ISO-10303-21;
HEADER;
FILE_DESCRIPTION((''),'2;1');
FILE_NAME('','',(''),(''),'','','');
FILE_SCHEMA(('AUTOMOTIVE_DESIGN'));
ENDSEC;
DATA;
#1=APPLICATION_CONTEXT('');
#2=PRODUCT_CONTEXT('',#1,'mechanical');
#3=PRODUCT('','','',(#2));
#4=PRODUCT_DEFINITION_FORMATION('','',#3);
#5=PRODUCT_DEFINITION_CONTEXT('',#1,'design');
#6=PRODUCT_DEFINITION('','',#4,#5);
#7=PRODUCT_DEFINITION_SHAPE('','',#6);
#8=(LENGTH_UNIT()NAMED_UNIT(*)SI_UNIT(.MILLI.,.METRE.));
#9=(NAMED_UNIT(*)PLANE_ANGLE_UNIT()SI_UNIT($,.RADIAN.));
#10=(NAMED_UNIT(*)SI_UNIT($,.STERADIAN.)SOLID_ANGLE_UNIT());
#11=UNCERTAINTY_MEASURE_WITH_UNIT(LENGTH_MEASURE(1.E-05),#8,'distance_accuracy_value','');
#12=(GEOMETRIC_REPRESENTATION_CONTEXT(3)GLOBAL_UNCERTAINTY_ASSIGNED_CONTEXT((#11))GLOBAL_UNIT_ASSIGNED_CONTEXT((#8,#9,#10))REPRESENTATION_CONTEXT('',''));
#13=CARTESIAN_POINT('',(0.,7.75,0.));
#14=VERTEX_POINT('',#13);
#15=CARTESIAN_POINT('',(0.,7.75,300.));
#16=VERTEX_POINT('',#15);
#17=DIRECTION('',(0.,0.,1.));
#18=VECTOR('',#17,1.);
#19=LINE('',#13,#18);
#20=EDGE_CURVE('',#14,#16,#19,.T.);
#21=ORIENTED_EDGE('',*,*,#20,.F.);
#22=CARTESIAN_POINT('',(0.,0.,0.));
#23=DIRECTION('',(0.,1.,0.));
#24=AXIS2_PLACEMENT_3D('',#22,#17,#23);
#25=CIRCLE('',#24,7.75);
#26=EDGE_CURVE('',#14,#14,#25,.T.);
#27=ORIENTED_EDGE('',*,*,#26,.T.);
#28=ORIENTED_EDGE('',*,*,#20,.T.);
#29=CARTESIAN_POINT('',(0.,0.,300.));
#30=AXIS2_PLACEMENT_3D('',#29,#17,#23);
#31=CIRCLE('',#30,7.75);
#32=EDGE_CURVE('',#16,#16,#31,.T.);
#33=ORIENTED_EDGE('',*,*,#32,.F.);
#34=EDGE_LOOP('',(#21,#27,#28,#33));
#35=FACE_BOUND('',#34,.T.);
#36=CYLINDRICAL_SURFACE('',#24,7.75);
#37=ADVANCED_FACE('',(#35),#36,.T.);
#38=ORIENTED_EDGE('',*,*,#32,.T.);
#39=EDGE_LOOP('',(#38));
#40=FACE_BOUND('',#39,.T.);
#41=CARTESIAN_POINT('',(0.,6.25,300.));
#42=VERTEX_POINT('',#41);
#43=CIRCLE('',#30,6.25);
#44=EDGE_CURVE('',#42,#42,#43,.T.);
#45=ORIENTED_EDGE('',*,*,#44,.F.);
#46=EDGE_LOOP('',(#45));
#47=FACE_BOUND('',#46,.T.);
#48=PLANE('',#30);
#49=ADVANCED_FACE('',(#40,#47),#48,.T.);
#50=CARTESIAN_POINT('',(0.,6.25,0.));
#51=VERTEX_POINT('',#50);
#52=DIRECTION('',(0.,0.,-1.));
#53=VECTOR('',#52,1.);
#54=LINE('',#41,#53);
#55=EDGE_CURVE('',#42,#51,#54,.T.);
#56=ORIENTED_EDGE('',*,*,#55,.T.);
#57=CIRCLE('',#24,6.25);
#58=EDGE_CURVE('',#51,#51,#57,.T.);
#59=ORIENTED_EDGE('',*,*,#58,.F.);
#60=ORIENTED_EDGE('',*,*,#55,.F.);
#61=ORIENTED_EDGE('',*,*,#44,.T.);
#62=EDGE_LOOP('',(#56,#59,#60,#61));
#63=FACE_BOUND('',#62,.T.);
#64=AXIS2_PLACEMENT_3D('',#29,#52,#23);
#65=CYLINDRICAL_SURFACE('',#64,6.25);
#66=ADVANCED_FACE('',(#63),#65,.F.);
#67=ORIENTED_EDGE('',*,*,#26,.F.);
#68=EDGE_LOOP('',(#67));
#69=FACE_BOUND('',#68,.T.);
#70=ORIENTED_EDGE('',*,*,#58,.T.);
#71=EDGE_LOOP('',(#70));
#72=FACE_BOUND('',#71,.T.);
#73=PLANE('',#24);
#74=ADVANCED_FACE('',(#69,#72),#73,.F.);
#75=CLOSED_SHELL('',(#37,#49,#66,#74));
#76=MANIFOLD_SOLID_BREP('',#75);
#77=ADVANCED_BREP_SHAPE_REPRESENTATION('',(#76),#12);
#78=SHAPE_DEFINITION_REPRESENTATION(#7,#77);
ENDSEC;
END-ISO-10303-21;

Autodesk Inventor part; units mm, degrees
ref_plane "YZ Plane" through (0, 0, 0) normal (1, 0, 0) x (0, 1, 0)
ref_plane "XZ Plane" through (0, 0, 0) normal (0, 1, 0) x (-1, 0, 0)
ref_plane "XY Plane" through (0, 0, 0) normal (0, 0, 1) x (1, 0, 0)
sketch "Esquisse1" plane through (0, 0, 0) normal (1, 0, 0) x (0, 1, 0)
  line L0 (0, 0) -> (0, 91.9394)
  line L1 (6.25, 300) -> (6.25, 0)
  line L2 (6.25, 0) -> (7.75, 0)
  line L3 (7.75, 0) -> (7.75, 300)
  line L4 (7.75, 300) -> (6.25, 300)
  dimension "d5" = 12.5
  dimension "d6" = 15.5
  dimension "d7" = 300
revolve "Révolution1" add sketch "Esquisse1" angle 360 about axis through (0, 0, 0) along (0, 0, 1)
thread "Filetage1" size "M16x1.5" class "6g" standard "ISO Metric profile" length 10
properties part number "pre_barrel"
